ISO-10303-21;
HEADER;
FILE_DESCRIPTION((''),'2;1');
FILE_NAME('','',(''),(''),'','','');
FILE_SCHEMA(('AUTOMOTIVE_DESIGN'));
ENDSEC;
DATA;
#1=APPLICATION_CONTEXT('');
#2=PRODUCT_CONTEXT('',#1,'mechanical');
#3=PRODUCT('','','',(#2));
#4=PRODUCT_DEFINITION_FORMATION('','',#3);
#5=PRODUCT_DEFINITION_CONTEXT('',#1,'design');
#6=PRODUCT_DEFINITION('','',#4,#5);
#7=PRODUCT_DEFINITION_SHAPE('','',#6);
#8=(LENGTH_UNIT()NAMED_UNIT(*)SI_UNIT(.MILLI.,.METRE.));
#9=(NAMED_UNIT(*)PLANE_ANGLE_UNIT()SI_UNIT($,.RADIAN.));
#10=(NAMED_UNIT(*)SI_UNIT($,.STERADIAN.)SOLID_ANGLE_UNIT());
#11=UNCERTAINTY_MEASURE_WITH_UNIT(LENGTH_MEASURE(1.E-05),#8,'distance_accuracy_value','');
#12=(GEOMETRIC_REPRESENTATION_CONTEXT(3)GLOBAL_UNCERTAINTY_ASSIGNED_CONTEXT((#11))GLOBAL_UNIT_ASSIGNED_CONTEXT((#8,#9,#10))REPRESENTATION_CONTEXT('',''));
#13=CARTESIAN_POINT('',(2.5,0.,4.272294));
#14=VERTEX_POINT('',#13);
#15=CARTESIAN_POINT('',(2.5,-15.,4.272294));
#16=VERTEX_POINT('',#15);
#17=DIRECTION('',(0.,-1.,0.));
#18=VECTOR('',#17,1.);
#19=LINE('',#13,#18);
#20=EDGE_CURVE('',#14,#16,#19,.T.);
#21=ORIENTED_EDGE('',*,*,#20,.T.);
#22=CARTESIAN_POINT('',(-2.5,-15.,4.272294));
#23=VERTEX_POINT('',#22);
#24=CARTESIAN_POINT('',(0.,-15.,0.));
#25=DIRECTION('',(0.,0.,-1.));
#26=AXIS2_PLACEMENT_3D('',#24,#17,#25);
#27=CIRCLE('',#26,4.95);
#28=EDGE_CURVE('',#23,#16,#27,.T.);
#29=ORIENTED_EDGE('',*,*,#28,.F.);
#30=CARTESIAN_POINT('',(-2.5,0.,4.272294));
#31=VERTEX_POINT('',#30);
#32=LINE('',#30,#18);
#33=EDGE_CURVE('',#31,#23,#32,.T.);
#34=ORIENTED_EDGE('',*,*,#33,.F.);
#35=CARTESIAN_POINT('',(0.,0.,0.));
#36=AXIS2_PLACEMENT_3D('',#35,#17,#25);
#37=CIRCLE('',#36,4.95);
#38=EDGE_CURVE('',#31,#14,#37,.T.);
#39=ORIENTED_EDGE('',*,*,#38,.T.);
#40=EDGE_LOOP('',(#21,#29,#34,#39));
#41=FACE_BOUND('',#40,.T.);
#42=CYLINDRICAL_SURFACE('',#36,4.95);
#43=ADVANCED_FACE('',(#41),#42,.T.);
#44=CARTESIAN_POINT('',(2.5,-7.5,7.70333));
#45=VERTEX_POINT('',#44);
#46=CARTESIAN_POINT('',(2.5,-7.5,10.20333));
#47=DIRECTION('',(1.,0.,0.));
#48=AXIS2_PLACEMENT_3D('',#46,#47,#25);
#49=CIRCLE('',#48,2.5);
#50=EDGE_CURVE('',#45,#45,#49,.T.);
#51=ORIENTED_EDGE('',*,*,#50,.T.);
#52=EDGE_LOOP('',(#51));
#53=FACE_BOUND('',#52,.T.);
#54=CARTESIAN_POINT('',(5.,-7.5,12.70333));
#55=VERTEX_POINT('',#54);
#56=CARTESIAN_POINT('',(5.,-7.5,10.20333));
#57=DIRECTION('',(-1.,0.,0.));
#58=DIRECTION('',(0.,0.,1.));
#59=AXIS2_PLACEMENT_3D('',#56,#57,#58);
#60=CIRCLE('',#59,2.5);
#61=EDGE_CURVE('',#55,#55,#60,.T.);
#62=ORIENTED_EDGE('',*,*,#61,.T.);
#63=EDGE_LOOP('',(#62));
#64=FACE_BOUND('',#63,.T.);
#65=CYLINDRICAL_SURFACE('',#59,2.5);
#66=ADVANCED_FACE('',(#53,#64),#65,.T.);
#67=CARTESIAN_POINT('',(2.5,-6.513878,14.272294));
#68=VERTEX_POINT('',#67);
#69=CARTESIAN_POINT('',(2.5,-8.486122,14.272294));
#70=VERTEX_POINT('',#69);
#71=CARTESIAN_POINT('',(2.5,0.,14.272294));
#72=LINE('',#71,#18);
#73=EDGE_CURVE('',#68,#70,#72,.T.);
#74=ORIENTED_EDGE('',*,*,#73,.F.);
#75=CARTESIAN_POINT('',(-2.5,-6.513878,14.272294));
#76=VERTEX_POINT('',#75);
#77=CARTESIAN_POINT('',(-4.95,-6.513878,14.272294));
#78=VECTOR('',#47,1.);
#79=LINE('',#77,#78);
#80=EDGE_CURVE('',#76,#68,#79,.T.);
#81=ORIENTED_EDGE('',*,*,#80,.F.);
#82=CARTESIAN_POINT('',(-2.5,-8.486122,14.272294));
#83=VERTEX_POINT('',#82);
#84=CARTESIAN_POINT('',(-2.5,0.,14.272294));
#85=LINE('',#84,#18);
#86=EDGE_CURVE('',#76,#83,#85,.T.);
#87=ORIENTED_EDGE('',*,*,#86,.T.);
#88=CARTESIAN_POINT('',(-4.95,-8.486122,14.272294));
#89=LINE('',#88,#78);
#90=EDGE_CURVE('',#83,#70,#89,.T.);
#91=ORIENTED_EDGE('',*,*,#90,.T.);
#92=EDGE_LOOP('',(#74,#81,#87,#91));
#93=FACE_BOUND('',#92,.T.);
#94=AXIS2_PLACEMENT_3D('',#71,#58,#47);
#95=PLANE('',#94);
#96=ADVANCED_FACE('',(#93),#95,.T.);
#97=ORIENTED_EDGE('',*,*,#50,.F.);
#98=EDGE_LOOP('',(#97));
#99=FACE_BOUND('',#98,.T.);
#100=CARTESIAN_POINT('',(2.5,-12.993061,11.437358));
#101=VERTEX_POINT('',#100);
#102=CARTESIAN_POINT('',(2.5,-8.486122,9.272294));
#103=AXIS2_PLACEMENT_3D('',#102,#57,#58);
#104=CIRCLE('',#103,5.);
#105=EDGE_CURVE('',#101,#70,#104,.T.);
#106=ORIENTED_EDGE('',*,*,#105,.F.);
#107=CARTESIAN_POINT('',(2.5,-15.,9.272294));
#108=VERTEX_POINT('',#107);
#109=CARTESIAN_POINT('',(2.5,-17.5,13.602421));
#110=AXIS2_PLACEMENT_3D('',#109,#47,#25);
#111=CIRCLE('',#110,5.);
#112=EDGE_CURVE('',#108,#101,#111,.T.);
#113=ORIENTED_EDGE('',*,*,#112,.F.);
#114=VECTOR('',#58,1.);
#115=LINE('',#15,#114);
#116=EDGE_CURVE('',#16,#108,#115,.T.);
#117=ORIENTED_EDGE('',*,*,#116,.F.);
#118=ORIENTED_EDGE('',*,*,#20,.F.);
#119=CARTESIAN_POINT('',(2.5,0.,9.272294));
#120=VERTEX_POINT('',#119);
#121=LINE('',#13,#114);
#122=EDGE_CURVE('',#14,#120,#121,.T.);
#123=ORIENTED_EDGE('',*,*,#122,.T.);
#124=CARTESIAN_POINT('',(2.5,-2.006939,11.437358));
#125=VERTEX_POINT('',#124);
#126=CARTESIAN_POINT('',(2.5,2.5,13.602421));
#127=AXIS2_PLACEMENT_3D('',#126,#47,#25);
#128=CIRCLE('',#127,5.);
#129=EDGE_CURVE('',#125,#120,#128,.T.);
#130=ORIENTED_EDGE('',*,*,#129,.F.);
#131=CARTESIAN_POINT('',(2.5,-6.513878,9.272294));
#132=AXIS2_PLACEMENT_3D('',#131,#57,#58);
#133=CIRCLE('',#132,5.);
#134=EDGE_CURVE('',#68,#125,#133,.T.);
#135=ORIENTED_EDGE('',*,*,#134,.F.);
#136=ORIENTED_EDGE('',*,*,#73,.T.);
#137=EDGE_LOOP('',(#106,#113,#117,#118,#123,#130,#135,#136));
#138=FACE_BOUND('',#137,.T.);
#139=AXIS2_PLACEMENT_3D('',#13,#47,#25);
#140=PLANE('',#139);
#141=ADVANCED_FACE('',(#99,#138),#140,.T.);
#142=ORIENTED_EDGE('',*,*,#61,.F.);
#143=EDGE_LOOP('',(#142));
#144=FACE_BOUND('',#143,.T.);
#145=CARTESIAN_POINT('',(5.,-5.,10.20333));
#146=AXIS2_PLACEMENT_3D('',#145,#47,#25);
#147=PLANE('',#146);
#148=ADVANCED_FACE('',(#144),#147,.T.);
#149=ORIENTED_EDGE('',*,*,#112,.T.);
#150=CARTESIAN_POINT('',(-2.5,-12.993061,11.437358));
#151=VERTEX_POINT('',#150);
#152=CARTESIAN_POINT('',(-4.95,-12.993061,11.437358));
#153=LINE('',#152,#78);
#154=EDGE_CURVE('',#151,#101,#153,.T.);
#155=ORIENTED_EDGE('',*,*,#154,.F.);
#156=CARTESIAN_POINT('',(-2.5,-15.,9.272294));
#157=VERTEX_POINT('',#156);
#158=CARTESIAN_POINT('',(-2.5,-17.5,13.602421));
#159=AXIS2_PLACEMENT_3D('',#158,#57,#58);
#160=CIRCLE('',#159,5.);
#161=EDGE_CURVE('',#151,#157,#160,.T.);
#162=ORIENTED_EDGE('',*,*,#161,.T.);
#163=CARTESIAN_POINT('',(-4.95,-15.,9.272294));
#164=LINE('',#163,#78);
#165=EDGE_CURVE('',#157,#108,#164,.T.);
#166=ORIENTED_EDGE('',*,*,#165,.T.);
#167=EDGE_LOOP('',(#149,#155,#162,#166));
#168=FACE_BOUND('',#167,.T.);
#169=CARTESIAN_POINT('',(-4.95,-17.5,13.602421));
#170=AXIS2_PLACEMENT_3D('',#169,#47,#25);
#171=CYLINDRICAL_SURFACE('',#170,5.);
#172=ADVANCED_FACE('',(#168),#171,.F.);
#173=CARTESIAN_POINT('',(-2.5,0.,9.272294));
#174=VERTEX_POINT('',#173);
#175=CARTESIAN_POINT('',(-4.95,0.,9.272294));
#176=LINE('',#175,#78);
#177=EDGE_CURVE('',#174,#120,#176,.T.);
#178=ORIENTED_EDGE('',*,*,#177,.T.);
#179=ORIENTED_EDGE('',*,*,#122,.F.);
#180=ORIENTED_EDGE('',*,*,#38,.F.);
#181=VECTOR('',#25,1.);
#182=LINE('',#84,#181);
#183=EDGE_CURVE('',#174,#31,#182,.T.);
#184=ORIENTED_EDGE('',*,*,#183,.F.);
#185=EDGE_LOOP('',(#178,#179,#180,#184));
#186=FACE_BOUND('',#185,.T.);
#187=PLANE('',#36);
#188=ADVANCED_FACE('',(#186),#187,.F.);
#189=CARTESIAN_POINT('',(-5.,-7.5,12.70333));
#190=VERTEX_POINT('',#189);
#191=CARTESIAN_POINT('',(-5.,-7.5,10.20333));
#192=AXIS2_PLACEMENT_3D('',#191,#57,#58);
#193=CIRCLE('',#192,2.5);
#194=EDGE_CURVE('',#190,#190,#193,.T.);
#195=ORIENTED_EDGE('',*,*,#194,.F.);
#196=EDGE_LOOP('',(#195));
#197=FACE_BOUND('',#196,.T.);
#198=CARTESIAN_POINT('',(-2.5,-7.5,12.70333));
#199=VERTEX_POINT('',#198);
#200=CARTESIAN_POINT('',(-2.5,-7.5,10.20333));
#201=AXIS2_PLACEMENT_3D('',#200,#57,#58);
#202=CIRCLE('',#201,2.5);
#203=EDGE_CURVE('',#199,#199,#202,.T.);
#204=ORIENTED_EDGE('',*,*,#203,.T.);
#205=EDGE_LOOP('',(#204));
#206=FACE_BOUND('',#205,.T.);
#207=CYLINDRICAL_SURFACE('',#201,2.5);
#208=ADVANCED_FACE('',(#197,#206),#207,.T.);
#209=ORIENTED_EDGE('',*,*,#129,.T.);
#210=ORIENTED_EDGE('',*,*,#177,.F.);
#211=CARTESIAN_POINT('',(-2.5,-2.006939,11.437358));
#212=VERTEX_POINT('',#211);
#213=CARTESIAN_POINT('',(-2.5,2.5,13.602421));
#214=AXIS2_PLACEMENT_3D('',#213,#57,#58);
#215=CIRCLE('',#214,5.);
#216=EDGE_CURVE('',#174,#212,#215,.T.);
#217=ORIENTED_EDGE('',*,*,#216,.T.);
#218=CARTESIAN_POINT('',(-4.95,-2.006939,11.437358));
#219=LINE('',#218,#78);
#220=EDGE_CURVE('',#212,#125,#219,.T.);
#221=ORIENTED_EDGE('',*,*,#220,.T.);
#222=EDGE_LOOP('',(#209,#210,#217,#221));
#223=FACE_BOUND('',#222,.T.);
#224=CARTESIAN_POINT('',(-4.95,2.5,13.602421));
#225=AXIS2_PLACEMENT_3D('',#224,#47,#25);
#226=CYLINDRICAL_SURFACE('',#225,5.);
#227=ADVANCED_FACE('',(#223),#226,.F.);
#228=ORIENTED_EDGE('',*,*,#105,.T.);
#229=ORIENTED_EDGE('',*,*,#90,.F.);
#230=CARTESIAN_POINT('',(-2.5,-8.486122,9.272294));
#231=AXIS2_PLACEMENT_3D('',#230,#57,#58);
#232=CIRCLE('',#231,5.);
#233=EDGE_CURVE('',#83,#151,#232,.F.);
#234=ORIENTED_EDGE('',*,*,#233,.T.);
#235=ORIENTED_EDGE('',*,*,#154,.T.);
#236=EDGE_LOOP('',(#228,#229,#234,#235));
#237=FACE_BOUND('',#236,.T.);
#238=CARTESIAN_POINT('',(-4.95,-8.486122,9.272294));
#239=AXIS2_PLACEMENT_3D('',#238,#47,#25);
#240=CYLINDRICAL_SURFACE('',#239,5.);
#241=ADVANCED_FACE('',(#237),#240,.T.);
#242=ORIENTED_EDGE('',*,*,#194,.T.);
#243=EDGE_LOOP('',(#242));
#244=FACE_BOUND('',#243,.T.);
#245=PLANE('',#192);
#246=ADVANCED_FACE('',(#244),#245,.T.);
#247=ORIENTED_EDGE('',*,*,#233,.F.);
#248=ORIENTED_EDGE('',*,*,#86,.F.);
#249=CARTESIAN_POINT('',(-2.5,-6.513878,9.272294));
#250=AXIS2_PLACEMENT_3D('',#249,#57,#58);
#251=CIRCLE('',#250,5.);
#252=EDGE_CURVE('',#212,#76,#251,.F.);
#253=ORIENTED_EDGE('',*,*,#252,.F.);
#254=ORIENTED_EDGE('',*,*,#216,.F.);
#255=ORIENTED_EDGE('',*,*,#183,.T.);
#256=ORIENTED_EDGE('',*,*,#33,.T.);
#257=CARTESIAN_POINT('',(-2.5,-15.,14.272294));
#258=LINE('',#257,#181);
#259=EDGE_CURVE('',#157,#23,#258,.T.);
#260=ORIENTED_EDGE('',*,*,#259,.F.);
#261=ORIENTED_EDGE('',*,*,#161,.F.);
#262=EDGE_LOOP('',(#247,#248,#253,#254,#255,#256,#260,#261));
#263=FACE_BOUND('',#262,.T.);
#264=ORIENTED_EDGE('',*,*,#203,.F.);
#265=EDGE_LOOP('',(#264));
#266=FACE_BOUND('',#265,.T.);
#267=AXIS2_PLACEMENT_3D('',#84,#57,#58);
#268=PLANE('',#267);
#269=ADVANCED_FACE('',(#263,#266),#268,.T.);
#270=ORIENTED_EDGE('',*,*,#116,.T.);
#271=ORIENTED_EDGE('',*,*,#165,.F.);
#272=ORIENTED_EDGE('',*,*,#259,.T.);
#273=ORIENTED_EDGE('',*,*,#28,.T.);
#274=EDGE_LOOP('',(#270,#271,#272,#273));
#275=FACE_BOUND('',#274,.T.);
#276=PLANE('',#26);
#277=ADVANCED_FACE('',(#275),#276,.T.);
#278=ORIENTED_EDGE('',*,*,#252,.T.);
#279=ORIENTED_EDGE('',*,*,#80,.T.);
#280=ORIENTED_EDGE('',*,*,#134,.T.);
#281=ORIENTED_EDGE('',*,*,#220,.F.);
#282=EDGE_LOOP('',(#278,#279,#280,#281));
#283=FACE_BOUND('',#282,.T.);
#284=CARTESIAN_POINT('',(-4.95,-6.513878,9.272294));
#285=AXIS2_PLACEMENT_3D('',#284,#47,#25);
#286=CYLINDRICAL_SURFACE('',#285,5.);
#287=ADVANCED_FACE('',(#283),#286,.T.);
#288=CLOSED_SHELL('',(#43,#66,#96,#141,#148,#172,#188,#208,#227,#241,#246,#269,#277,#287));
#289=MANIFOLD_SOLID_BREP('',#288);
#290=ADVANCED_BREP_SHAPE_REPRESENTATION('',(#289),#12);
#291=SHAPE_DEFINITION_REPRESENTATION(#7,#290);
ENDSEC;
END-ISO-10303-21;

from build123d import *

# Parameters (mm, degrees)
BOSS_EXTRUDE1_DEPTH = 15
CUT_EXTRUDE1_DEPTH  = 23.004565192
CUT_EXTRUDE2_DEPTH  = 23.004565192
SKETCH4_W           = 2.5
SKETCH4_H           = 2.5
SKETCH5_W           = 2.5
SKETCH5_H           = 2.5


with BuildPart() as part:
    # Sketch1 → Boss-Extrude1 (new body)
    with BuildSketch(Plane.XZ.offset(15)):
        with BuildLine():
            Line((-2.5, 14.272294466), (-2.5, 4.272294466))
            ThreePointArc((-2.5, 4.272294466), (0, -4.95), (2.5, 4.272294466))
            Line((2.5, 4.272294466), (2.5, 14.272294466))
            Line((2.5, 14.272294466), (-2.5, 14.272294466))
        make_face()
    extrude(amount=-BOSS_EXTRUDE1_DEPTH)

    # Sketch2 → Cut-Extrude1 (cut, through all)
    with BuildSketch(Plane(origin=(2.5, 0, 0), x_dir=(0, 0, -1), z_dir=(1, 0, 0))):
        with BuildLine():
            Line((-14.272294466, -15), (-9.272294466, -15))
            ThreePointArc((-9.272294466, -15), (-10.203329527, -13.83309751), (-11.437357975, -12.993060906))
            ThreePointArc((-11.437357975, -12.993060906), (-13.504629374, -11.148327894), (-14.272294466, -8.486121811))
            Line((-14.272294466, -8.486121811), (-14.272294466, -15))
        make_face()
    extrude(amount=-CUT_EXTRUDE1_DEPTH, mode=Mode.SUBTRACT)

    # Sketch3 → Cut-Extrude2 (cut, through all)
    with BuildSketch(Plane(origin=(2.5, 0, 0), x_dir=(0, 0, -1), z_dir=(1, 0, 0))):
        with BuildLine():
            Line((-9.272294466, 0), (-14.272294466, 0))
            Line((-14.272294466, 0), (-14.272294466, -6.513878189))
            ThreePointArc((-14.272294466, -6.513878189), (-13.504629374, -3.851672106), (-11.437357975, -2.006939094))
            ThreePointArc((-11.437357975, -2.006939094), (-10.203329527, -1.16690249), (-9.272294466, 0))
        make_face()
    extrude(amount=-CUT_EXTRUDE2_DEPTH, mode=Mode.SUBTRACT)

    # Sketch4 → Revolve1 (revolve)
    with BuildSketch(Plane(origin=(0, 0, 10.203329527), x_dir=(-1, 0, 0), z_dir=(0, 0, -1)), mode=Mode.PRIVATE) as revolve1_sk:
        with Locations((3.75, -6.25)):
            Rectangle(SKETCH4_W, SKETCH4_H)
    revolve(revolve1_sk.sketch.rotate(Axis((-2.5, -7.5, 10.203329527), (-1, 0, 0)), 270), axis=Axis((-2.5, -7.5, 10.203329527), (-1, 0, 0)))

    # Sketch5 → Revolve2 (revolve)
    with BuildSketch(Plane(origin=(0, 0, 10.203329527), x_dir=(-1, 0, 0), z_dir=(0, 0, -1)), mode=Mode.PRIVATE) as revolve2_sk:
        with Locations((-3.75, -6.25)):
            Rectangle(SKETCH5_W, SKETCH5_H)
    revolve(revolve2_sk.sketch.rotate(Axis((5, -7.5, 10.203329527), (-1, 0, 0)), 270), axis=Axis((5, -7.5, 10.203329527), (-1, 0, 0)))


solid = part.part
